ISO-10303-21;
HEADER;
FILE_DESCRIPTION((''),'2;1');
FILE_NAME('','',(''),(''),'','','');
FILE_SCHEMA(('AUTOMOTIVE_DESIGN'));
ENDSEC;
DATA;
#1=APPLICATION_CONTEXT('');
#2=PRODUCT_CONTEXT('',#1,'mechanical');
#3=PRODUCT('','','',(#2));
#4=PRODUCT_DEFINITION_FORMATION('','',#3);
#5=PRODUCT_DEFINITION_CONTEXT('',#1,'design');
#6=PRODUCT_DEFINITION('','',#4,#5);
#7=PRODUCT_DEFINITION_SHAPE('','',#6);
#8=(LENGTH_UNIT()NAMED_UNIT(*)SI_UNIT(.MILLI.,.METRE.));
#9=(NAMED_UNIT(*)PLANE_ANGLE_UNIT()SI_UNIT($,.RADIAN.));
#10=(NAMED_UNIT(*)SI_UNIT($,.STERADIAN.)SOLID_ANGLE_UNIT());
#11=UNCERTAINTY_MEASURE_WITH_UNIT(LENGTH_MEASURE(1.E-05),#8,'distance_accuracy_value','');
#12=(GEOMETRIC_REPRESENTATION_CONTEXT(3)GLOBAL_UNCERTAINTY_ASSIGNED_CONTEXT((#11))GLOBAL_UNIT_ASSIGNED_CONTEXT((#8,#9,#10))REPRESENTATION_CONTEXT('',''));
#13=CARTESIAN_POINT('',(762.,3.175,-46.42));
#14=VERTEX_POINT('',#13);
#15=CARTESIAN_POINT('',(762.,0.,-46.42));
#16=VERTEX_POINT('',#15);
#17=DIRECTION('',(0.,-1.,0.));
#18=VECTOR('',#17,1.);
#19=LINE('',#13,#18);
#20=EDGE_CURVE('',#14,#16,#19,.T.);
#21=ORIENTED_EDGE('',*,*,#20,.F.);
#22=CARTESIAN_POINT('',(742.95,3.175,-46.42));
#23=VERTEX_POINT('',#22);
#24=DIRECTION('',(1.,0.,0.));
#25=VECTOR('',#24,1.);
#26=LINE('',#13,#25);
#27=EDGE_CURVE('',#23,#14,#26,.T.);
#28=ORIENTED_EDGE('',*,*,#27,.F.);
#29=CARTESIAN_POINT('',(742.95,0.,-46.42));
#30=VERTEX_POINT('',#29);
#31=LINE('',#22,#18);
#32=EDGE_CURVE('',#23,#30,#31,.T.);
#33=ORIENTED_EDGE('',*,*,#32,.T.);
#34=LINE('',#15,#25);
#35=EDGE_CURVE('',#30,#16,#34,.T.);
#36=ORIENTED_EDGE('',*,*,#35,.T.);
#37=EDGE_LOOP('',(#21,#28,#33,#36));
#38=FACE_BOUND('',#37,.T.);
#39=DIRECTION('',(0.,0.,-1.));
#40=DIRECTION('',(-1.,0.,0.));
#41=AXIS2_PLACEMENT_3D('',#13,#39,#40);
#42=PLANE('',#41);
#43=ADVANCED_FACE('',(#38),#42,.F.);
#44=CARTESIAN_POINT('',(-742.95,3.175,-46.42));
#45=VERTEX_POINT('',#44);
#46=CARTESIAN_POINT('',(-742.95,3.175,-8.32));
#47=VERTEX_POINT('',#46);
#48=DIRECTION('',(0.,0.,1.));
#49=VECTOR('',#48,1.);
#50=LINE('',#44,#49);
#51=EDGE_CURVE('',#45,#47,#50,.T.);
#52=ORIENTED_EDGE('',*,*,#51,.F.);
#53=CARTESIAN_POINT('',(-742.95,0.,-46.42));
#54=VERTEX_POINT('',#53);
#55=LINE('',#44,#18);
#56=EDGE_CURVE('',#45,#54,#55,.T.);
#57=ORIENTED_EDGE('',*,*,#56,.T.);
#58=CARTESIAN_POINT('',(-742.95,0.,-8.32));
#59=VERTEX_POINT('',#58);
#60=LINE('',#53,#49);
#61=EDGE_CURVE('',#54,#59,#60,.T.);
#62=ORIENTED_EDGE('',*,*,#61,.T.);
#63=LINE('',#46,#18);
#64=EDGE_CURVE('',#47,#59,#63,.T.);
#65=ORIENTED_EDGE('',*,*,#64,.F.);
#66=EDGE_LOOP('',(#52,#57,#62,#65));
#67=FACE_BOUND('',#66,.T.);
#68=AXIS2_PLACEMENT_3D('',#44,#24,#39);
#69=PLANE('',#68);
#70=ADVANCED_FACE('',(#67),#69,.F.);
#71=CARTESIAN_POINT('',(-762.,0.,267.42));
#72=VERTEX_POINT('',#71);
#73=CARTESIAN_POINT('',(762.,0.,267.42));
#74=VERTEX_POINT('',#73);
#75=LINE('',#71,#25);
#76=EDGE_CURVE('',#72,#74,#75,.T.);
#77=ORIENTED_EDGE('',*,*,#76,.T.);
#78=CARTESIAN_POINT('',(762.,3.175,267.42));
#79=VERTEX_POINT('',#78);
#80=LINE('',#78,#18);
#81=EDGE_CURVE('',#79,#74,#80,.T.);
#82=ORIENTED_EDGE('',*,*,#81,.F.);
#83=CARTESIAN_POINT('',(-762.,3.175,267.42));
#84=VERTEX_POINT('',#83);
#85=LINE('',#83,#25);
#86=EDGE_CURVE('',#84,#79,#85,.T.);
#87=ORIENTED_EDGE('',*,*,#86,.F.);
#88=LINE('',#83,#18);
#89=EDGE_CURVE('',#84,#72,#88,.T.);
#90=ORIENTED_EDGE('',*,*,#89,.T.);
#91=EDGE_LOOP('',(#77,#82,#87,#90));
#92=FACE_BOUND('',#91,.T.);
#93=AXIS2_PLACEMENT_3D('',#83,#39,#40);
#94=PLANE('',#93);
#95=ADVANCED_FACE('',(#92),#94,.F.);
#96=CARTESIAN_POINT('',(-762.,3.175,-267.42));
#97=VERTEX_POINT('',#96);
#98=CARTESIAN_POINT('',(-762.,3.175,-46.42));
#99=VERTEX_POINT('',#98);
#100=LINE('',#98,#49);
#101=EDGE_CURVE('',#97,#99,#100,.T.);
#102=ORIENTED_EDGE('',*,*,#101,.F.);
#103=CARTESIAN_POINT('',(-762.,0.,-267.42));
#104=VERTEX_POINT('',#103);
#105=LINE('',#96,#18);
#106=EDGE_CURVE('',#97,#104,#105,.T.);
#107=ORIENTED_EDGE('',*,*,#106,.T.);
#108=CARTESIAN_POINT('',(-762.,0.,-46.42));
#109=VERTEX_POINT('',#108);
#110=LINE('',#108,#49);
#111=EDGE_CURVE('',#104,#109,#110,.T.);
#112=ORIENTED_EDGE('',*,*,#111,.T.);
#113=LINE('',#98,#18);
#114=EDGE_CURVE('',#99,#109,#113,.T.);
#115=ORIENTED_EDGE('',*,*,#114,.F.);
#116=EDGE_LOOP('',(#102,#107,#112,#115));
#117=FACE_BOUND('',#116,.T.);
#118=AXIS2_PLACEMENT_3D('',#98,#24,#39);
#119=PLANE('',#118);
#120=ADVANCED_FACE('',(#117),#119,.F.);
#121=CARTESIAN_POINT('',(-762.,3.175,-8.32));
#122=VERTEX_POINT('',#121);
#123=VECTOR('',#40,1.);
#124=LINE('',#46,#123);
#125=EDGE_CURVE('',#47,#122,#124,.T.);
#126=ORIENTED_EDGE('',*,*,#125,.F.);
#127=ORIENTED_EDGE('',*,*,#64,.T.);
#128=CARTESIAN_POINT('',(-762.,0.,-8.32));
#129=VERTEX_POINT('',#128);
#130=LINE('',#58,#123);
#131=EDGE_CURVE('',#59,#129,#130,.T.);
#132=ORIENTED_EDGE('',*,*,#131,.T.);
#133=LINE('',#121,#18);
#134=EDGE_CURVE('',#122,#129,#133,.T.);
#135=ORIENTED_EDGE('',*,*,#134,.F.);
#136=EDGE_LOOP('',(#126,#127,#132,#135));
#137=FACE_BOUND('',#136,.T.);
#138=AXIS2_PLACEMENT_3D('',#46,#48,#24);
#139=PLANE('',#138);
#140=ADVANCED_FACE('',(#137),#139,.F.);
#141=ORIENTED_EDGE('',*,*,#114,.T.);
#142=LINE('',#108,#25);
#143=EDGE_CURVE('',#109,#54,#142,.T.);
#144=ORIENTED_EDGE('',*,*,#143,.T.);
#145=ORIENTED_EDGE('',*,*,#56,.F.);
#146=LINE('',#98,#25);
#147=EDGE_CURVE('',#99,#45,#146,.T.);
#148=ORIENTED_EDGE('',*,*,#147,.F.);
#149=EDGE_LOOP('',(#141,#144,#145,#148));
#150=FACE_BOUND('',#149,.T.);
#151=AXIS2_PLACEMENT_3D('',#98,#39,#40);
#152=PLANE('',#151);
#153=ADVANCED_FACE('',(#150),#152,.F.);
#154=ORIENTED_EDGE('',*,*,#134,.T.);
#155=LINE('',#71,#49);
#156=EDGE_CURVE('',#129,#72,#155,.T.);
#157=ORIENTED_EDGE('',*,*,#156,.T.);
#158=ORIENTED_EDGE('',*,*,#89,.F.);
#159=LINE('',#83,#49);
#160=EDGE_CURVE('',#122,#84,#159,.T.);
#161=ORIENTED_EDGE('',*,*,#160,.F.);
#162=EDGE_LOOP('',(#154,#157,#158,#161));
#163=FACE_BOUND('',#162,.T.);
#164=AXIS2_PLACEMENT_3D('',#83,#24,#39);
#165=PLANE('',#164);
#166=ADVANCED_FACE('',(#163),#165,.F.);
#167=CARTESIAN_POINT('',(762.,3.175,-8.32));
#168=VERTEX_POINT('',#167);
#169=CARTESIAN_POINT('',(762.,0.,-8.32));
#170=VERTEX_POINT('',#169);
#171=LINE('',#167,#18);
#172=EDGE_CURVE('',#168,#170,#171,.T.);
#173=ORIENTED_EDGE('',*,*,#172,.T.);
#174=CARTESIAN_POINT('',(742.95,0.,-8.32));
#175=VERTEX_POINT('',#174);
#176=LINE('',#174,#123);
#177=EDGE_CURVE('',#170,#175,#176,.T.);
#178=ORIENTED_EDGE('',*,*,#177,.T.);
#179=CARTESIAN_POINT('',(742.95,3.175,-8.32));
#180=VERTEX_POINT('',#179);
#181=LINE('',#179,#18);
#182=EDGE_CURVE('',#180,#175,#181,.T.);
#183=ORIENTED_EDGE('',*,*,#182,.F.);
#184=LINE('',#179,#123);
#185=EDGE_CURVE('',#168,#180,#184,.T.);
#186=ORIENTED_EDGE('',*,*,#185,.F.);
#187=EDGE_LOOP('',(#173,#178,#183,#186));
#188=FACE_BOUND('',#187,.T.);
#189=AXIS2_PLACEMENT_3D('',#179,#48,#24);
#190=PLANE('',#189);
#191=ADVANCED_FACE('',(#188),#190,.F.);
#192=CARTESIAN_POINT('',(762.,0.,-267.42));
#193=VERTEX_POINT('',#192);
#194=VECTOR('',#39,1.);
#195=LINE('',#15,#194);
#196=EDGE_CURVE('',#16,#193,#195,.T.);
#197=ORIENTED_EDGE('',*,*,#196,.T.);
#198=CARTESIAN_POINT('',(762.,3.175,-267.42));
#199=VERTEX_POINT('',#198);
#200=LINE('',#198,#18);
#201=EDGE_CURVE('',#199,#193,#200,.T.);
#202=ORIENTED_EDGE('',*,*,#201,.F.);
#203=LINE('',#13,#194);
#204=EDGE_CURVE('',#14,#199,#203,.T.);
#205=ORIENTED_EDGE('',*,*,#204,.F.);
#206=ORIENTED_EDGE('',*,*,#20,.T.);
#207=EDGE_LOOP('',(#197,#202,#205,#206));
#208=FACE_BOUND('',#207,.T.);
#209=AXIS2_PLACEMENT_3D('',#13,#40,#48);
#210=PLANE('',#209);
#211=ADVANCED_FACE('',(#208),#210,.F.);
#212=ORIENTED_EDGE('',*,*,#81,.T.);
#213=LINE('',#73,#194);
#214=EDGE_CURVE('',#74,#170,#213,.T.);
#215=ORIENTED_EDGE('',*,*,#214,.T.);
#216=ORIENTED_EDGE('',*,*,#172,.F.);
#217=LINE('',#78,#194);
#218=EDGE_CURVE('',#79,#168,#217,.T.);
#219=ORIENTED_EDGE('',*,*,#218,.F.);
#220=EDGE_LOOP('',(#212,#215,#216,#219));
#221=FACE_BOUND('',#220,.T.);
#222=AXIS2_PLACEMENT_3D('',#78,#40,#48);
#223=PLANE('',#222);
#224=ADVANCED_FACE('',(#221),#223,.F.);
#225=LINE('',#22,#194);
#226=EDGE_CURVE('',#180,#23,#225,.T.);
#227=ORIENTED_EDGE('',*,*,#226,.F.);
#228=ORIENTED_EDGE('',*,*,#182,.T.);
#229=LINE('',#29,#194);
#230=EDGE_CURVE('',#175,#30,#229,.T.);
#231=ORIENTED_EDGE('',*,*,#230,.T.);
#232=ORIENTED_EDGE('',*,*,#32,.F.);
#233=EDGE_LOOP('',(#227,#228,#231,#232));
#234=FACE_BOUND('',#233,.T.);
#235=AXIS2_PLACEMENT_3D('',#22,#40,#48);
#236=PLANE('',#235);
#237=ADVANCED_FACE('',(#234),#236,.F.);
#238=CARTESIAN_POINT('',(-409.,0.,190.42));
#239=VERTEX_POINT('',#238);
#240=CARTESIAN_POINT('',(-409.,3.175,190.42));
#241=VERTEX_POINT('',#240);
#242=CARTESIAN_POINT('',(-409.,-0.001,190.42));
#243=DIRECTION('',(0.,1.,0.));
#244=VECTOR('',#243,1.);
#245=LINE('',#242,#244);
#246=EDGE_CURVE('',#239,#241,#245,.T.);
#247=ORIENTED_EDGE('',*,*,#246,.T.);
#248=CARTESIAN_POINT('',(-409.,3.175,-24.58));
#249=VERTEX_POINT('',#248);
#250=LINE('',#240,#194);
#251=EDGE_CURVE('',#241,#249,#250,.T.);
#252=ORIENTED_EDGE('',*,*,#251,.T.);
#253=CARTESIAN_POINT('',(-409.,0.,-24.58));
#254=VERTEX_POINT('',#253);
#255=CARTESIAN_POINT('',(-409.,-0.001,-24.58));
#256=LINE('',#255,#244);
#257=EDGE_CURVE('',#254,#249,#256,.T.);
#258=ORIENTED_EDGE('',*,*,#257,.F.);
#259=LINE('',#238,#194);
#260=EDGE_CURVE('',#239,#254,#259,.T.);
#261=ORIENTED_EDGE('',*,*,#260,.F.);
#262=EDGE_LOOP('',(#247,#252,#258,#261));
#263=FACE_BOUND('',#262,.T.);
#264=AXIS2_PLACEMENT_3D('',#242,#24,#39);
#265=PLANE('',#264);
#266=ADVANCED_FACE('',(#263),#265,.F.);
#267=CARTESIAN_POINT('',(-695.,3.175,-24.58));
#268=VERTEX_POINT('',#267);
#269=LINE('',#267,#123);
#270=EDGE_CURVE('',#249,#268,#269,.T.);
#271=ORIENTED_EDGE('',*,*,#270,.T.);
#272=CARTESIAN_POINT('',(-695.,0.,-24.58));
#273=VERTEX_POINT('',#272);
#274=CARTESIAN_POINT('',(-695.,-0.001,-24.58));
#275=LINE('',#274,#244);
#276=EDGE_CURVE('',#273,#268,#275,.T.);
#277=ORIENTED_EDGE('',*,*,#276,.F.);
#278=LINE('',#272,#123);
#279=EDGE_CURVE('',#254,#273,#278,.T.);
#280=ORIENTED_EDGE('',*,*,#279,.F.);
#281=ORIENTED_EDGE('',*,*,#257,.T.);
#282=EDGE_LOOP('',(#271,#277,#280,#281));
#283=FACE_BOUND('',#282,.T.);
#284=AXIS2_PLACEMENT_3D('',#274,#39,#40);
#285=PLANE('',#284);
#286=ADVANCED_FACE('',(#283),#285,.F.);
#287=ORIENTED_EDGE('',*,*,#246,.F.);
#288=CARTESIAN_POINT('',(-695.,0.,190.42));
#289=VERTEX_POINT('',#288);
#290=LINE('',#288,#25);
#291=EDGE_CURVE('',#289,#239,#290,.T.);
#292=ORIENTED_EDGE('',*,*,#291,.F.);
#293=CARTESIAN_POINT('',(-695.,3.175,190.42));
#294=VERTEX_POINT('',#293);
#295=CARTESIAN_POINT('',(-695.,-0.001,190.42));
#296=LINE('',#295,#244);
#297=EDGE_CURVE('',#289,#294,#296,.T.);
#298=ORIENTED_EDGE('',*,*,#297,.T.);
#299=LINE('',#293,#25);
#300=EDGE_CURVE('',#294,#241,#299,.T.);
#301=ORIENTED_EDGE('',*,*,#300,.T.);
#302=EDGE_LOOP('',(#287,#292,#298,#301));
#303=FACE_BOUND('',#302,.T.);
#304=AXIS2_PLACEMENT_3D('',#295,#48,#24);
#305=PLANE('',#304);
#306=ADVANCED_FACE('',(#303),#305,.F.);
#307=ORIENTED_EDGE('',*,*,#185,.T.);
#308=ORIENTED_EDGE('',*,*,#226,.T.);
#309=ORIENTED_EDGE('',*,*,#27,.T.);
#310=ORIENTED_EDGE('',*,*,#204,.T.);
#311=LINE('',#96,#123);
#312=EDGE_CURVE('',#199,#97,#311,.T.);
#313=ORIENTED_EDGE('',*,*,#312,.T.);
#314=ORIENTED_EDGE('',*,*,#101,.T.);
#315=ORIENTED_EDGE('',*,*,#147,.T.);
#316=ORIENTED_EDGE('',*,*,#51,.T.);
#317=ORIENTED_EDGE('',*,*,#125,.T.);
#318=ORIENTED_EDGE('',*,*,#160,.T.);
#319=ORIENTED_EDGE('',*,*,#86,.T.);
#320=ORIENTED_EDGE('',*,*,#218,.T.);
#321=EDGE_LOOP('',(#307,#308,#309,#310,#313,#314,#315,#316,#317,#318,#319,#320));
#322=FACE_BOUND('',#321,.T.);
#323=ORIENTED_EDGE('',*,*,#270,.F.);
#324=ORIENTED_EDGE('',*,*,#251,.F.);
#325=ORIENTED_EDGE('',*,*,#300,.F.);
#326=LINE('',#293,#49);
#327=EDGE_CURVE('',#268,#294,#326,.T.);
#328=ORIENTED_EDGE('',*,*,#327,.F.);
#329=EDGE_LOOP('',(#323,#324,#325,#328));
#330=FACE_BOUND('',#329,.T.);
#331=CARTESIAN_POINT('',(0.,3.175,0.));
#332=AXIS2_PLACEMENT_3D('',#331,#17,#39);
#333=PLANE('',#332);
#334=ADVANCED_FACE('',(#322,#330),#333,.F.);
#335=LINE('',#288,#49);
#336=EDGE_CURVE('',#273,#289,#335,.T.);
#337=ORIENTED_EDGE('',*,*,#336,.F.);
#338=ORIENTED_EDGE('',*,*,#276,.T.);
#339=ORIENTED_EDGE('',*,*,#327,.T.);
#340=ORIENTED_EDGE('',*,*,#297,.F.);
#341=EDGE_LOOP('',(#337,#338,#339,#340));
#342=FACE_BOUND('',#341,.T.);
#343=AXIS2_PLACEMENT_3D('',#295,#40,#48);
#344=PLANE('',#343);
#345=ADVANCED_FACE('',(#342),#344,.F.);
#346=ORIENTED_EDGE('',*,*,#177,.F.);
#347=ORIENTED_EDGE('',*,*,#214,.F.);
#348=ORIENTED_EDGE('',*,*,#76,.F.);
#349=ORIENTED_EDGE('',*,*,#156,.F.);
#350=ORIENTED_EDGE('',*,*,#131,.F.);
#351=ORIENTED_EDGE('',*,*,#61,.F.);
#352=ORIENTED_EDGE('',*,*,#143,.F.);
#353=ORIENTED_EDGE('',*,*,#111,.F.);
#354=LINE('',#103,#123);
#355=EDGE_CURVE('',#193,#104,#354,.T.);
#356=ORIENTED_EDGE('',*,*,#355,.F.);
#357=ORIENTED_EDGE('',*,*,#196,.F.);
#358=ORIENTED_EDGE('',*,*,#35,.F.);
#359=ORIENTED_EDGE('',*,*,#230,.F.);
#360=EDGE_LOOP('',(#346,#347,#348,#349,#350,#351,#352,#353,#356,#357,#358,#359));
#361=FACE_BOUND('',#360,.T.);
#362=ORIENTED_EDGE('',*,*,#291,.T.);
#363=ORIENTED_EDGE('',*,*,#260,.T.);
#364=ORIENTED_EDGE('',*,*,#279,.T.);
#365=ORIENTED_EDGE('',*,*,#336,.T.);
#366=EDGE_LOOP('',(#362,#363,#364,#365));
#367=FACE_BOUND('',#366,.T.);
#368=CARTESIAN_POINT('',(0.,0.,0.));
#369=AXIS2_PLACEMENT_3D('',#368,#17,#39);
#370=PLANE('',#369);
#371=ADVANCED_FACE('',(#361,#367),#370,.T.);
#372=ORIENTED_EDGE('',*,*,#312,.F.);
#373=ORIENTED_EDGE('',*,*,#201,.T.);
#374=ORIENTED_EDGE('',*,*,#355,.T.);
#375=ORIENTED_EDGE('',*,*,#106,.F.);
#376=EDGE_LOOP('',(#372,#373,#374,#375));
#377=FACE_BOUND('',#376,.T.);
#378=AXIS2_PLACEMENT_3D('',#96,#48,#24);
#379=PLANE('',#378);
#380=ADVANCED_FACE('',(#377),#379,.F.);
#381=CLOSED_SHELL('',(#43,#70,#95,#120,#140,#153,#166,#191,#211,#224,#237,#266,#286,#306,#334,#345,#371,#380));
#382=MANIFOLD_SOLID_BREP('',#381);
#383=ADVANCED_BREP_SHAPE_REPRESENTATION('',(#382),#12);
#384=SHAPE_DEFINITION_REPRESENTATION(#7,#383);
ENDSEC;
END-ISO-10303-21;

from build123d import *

# Parameters (mm, degrees)
BOSS_EXTRUDE1_DEPTH = 3.175
CUT_EXTRUDE1_REACH  = 809.569
SKETCH2_W           = 286
SKETCH2_H           = 215


with BuildPart() as part:
    # Sketch1 → Boss-Extrude1 (new body)
    with BuildSketch(Plane(origin=(0, 0, 0), x_dir=(1, 0, 0), z_dir=(0, 1, 0))):
        Polygon((-762, 46.42), (-742.95, 46.42), (-742.95, 8.32), (-762, 8.32), (-762, -267.42), (762, -267.42), (762, 8.32), (742.95, 8.32), (742.95, 46.42), (762, 46.42), (762, 267.42), (-762, 267.42), align=None)
    extrude(amount=BOSS_EXTRUDE1_DEPTH)

    # Sketch2 → Cut-Extrude1 (cut, up to next)
    with BuildSketch(Plane(origin=(0, 3.175, 0), x_dir=(1, 0, 0), z_dir=(0, 1, 0)), mode=Mode.PRIVATE) as cut_extrude1_sk1:
        with Locations((-552, -82.92)):
            Rectangle(SKETCH2_W, SKETCH2_H)
    cut_extrude1_tool1 = extrude(cut_extrude1_sk1.sketch, amount=-CUT_EXTRUDE1_REACH, mode=Mode.PRIVATE) & part.part
    add(cut_extrude1_tool1.solids().sort_by_distance((-552, 3.175, 82.92))[0], mode=Mode.SUBTRACT)


solid = part.part
